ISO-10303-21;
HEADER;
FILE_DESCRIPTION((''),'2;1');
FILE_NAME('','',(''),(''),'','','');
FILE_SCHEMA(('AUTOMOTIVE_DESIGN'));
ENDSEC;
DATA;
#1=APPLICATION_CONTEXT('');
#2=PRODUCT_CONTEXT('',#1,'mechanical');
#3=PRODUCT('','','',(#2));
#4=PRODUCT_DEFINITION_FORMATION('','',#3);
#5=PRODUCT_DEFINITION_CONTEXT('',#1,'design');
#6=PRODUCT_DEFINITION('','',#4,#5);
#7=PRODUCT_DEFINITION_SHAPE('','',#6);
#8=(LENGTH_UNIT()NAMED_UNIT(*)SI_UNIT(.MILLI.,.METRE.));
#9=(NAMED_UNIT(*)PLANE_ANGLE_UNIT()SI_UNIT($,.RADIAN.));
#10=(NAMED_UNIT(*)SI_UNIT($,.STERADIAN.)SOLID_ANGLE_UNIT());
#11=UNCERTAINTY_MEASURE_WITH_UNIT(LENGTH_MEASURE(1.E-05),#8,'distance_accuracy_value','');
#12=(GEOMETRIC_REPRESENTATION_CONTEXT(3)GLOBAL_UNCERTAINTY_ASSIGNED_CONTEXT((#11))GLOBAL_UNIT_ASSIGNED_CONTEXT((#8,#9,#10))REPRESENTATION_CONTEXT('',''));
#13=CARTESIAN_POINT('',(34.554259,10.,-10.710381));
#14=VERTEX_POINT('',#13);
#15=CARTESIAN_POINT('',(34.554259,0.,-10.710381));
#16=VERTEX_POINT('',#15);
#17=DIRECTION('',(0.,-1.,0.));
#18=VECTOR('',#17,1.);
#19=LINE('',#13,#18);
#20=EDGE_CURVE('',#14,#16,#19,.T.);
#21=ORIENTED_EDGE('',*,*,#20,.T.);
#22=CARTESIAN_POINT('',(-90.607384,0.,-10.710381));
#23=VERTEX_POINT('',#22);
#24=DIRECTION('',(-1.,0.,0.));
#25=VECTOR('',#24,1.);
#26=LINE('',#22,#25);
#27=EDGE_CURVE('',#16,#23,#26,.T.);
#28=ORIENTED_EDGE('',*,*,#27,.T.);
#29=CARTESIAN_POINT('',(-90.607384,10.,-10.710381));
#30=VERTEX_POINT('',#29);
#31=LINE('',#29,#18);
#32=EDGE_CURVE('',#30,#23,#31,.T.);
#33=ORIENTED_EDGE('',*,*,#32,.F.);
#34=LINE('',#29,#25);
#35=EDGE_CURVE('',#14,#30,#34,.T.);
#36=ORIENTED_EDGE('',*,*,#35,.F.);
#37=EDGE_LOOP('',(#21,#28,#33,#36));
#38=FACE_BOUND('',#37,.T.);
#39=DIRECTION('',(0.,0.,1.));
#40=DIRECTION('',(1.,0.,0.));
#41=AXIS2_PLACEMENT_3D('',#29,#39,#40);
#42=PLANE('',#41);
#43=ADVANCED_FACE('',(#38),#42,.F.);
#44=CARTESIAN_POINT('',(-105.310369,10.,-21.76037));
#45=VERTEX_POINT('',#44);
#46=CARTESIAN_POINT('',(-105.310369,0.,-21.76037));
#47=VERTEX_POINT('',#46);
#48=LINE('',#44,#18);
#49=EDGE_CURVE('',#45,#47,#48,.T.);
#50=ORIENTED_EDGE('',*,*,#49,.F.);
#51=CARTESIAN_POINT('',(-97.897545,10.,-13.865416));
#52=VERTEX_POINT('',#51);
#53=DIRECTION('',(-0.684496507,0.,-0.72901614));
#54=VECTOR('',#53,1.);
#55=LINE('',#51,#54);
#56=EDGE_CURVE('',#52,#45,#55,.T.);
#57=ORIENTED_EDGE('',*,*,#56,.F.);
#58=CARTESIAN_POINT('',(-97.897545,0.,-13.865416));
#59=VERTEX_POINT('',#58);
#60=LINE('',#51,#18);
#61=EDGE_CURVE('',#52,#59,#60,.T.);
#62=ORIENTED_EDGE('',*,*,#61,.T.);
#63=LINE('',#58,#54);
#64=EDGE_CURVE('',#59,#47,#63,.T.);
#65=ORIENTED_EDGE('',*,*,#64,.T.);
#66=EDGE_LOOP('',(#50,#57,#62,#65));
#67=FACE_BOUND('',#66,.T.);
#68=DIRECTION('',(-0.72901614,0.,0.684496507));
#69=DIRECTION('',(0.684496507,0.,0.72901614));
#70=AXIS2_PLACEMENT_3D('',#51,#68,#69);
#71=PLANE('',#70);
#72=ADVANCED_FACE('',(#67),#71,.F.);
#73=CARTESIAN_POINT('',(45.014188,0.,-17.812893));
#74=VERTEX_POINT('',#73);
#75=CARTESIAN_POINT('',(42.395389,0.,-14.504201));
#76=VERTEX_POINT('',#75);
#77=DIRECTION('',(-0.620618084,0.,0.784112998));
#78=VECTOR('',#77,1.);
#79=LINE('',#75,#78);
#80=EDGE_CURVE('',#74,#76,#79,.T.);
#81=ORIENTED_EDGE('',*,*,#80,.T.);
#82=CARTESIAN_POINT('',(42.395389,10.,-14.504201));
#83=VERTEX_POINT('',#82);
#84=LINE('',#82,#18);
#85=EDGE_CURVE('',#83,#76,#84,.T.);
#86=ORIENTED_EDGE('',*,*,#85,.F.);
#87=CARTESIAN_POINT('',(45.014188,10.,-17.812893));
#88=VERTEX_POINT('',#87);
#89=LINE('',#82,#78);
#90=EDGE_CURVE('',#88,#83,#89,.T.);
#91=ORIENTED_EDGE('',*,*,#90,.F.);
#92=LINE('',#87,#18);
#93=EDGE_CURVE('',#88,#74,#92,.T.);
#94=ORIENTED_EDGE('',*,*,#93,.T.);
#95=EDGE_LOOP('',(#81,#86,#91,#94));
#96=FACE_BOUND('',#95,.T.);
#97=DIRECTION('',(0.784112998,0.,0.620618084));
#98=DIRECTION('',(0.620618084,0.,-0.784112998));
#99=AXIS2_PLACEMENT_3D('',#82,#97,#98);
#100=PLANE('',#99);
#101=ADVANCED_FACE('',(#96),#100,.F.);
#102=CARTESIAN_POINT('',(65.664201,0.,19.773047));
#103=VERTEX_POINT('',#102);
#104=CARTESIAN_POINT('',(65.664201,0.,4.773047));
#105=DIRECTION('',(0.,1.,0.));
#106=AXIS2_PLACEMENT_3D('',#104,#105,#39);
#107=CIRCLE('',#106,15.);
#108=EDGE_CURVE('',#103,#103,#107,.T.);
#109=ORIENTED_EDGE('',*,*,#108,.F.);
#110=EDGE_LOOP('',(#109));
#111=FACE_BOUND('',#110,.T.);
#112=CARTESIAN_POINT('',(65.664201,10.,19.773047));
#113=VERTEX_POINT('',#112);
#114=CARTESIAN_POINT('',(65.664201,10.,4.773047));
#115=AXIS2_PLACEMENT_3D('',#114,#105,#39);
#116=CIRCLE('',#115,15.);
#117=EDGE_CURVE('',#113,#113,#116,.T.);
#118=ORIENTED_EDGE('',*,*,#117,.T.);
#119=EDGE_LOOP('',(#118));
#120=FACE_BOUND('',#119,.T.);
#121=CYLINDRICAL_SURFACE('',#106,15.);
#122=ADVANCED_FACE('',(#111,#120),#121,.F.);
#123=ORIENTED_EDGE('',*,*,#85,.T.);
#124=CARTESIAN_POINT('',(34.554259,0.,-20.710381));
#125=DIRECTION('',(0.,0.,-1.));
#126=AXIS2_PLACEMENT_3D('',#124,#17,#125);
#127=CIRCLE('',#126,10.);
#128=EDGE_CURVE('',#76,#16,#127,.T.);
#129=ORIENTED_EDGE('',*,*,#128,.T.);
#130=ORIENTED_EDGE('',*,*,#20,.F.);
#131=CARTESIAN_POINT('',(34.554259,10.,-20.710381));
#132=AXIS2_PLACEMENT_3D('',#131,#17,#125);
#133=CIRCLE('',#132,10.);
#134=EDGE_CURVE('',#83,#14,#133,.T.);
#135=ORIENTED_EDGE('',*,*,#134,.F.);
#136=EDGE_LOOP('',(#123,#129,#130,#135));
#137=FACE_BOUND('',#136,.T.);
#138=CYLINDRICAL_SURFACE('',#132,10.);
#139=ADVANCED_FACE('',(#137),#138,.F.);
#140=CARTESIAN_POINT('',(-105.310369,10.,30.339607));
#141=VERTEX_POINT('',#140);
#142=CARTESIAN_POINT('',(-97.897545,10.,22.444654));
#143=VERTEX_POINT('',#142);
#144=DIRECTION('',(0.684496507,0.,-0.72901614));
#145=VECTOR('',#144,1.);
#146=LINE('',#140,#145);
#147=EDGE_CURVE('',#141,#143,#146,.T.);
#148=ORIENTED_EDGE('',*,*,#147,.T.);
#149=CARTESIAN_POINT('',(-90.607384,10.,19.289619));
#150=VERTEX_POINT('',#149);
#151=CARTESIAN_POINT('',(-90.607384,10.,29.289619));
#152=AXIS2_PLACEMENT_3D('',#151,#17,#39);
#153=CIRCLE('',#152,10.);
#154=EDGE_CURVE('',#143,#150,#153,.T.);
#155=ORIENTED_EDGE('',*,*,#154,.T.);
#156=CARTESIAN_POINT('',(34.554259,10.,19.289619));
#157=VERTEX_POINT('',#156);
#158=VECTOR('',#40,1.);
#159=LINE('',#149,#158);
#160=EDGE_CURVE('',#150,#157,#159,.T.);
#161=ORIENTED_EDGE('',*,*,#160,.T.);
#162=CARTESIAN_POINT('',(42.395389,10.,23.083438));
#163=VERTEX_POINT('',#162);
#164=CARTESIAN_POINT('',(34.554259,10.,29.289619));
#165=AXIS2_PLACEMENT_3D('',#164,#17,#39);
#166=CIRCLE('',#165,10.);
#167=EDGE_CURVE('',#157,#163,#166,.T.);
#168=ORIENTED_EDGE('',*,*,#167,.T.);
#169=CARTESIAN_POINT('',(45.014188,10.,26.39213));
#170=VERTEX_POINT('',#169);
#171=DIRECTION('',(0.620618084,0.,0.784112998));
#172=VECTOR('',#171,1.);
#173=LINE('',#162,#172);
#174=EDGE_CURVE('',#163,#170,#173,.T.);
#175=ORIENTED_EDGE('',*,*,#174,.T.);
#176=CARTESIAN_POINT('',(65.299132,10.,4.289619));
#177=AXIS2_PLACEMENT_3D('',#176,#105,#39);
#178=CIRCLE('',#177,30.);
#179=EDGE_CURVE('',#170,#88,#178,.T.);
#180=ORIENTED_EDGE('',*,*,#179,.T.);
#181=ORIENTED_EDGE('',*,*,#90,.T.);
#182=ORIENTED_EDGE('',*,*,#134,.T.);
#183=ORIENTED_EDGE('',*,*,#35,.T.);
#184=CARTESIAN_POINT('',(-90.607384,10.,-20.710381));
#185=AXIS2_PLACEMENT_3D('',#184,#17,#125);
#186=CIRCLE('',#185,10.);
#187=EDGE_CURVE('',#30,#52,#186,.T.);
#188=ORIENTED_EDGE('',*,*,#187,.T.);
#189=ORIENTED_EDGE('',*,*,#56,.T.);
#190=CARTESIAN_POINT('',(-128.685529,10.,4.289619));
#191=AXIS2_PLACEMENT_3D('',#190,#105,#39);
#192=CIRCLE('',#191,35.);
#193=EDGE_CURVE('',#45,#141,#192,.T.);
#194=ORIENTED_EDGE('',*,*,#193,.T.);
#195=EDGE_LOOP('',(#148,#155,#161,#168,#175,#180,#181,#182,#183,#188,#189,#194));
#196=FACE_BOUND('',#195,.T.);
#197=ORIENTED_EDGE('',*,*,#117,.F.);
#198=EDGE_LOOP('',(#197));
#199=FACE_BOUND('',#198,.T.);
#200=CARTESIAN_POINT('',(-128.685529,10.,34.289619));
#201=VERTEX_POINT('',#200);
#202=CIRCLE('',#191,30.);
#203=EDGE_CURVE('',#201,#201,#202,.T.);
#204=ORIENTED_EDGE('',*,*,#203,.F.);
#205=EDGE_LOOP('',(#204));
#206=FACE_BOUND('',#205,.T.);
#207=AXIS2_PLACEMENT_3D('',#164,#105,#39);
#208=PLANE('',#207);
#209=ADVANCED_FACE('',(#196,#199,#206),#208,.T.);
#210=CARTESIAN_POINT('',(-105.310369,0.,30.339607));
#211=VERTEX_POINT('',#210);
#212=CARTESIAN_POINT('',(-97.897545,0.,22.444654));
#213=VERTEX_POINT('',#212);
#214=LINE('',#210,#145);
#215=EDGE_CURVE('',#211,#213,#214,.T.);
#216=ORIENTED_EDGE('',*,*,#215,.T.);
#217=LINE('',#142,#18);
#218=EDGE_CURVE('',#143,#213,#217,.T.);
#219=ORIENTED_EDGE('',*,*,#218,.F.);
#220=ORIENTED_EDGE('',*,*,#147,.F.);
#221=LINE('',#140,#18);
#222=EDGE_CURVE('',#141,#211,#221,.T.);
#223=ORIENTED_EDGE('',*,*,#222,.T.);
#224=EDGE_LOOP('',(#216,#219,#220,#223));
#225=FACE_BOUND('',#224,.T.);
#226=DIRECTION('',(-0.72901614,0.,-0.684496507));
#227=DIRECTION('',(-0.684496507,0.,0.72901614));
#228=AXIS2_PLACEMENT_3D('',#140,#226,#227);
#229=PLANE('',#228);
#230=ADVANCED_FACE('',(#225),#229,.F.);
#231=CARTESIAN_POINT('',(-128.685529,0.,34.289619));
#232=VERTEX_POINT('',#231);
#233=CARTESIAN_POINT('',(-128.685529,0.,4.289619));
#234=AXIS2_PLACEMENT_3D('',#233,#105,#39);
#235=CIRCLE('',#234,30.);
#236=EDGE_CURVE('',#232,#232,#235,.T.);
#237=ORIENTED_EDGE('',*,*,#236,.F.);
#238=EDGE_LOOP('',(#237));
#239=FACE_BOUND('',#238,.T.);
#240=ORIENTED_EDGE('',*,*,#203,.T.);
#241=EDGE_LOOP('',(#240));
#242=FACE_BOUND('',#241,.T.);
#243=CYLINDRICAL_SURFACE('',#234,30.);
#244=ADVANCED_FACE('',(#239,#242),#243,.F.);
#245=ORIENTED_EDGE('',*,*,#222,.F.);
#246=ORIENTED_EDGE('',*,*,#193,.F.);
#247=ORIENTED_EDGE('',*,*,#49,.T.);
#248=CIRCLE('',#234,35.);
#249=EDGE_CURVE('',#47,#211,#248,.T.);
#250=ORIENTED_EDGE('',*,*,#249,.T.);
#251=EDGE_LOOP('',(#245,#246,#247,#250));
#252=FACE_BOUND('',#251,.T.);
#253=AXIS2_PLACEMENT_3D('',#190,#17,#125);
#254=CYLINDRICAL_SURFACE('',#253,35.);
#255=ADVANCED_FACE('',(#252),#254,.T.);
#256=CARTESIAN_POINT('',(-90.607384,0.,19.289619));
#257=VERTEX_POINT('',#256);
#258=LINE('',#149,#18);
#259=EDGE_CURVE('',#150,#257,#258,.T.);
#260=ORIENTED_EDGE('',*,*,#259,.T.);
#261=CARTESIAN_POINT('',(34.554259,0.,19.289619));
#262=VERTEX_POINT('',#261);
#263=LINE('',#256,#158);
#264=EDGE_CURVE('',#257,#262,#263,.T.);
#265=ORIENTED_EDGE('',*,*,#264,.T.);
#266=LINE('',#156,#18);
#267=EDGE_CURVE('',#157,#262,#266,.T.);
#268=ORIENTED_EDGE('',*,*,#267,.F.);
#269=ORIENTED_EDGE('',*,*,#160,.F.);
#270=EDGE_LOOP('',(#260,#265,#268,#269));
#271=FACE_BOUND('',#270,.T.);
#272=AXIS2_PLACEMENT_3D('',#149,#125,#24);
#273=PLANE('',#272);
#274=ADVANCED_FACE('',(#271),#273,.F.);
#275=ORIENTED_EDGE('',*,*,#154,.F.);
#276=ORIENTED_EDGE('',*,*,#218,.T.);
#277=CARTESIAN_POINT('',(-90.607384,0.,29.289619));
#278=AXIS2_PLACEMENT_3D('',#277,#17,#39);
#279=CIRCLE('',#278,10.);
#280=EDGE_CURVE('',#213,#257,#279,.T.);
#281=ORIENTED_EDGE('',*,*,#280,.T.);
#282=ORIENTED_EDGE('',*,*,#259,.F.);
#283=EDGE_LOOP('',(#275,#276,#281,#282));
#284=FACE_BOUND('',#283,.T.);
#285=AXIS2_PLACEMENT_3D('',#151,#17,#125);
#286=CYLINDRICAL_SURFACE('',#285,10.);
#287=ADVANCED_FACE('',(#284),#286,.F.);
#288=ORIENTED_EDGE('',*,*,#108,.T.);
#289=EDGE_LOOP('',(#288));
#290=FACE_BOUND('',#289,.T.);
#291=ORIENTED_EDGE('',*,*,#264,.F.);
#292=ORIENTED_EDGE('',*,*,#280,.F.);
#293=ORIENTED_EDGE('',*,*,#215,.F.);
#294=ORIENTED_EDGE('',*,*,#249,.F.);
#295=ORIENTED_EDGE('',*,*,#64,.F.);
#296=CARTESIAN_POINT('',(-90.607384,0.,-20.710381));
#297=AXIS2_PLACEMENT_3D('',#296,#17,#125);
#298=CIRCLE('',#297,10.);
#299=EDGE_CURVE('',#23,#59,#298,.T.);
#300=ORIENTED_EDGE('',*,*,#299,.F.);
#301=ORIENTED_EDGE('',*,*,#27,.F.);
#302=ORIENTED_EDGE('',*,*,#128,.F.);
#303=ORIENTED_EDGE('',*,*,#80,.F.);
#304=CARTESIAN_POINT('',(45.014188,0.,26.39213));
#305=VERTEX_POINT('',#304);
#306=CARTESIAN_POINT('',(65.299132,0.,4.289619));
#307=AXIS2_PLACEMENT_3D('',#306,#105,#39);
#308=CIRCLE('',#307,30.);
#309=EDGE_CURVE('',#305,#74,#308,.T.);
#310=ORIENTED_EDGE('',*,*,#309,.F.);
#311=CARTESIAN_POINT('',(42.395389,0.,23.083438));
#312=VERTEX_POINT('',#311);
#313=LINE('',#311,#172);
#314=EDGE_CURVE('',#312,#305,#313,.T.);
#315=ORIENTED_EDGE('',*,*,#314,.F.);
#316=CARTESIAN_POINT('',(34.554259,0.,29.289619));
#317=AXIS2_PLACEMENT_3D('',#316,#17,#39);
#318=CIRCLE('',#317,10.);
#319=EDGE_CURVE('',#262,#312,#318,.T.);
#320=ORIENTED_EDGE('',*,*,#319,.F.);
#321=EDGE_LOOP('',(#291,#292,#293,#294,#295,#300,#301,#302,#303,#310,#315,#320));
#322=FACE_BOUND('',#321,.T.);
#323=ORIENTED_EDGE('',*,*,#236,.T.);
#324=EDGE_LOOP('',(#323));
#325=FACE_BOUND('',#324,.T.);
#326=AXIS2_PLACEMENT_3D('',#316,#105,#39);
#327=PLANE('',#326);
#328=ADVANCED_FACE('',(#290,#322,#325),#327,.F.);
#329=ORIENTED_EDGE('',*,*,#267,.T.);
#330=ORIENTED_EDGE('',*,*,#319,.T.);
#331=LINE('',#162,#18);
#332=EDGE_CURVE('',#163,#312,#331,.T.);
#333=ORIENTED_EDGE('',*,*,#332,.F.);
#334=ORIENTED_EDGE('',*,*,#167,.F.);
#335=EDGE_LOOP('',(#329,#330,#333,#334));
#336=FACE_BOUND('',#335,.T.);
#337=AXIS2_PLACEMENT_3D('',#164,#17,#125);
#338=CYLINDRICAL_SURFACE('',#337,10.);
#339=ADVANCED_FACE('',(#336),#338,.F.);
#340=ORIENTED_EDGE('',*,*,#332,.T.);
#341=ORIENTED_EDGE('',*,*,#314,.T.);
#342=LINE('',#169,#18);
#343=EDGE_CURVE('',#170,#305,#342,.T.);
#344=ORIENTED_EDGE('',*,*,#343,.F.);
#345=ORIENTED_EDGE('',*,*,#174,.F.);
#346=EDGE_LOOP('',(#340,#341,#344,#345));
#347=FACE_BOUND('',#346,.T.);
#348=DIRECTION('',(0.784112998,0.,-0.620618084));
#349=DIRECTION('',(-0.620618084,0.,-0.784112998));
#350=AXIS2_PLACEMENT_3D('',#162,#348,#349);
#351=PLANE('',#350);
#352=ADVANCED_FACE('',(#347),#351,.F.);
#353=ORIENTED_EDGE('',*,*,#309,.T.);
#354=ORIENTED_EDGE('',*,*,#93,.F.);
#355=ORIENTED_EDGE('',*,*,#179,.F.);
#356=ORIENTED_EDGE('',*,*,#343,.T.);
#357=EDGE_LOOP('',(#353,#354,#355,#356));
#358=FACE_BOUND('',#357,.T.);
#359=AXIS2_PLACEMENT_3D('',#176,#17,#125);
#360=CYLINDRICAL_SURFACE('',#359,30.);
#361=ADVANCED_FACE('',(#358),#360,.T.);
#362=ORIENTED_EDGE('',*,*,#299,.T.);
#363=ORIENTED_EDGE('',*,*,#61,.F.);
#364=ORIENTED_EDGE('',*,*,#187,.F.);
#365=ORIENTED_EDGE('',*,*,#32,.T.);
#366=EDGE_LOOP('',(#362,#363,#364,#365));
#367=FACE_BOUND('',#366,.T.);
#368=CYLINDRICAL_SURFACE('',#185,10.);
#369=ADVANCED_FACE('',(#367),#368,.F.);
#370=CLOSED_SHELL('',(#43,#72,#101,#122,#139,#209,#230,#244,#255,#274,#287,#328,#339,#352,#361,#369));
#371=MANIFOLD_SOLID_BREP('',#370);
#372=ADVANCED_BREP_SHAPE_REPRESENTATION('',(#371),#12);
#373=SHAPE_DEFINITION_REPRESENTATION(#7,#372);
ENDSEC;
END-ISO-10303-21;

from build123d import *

# Parameters (mm, degrees)
SKETCH1_R           = 0.605786837
BOSS_EXTRUDE1_DEPTH = 10
SKETCH3_R           = 30
SKETCH3_R_2         = 15
CUT_EXTRUDE1_DEPTH  = 10


with BuildPart() as part:
    # Sketch1 → Boss-Extrude1 (new body)
    with BuildSketch(Plane(origin=(0, 0, 0), x_dir=(1, 0, 0), z_dir=(0, 1, 0))):
        with BuildLine():
            Line((42.395388783, 14.504200511), (45.014187909, 17.812893064))
            ThreePointArc((45.014187909, 17.812893064), (95.299132477, -4.289618646), (45.014187909, -26.392130356))
            Line((45.014187909, -26.392130356), (42.395388783, -23.083437803))
            ThreePointArc((42.395388783, -23.083437803), (38.909611349, -20.287901909), (34.554258804, -19.289618646))
            Line((34.554258804, -19.289618646), (-90.607383501, -19.289618646))
            ThreePointArc((-90.607383501, -19.289618646), (-94.579180908, -20.112210224), (-97.897544897, -22.444653576))
            Line((-97.897544897, -22.444653576), (-105.310368622, -30.339607137))
            ThreePointArc((-105.310368622, -30.339607137), (-163.685528507, -4.289618646), (-105.310368622, 21.760369845))
            Line((-105.310368622, 21.760369845), (-97.897544897, 13.865416283))
            ThreePointArc((-97.897544897, 13.865416283), (-94.579180908, 11.532972931), (-90.607383501, 10.710381354))
            Line((-90.607383501, 10.710381354), (34.554258804, 10.710381354))
            ThreePointArc((34.554258804, 10.710381354), (38.909611349, 11.708664617), (42.395388783, 14.504200511))
        make_face()
        with Locations(Location((65.299132477, -4.289618646, 0), (0, 0, 270))):
            Circle(SKETCH1_R, mode=Mode.SUBTRACT)
    extrude(amount=BOSS_EXTRUDE1_DEPTH)

    # Sketch3 → Cut-Extrude1 (cut)
    with BuildSketch(Plane(origin=(0, 10, 0), x_dir=(1, 0, 0), z_dir=(0, 1, 0))):
        with Locations(Location((-128.685528507, -4.289618646, 0), (0, 0, 270))):
            Circle(SKETCH3_R)
        with Locations(Location((65.664200703, -4.773046906, 0), (0, 0, 270))):
            Circle(SKETCH3_R_2)
    extrude(amount=-CUT_EXTRUDE1_DEPTH, mode=Mode.SUBTRACT)


solid = part.part
